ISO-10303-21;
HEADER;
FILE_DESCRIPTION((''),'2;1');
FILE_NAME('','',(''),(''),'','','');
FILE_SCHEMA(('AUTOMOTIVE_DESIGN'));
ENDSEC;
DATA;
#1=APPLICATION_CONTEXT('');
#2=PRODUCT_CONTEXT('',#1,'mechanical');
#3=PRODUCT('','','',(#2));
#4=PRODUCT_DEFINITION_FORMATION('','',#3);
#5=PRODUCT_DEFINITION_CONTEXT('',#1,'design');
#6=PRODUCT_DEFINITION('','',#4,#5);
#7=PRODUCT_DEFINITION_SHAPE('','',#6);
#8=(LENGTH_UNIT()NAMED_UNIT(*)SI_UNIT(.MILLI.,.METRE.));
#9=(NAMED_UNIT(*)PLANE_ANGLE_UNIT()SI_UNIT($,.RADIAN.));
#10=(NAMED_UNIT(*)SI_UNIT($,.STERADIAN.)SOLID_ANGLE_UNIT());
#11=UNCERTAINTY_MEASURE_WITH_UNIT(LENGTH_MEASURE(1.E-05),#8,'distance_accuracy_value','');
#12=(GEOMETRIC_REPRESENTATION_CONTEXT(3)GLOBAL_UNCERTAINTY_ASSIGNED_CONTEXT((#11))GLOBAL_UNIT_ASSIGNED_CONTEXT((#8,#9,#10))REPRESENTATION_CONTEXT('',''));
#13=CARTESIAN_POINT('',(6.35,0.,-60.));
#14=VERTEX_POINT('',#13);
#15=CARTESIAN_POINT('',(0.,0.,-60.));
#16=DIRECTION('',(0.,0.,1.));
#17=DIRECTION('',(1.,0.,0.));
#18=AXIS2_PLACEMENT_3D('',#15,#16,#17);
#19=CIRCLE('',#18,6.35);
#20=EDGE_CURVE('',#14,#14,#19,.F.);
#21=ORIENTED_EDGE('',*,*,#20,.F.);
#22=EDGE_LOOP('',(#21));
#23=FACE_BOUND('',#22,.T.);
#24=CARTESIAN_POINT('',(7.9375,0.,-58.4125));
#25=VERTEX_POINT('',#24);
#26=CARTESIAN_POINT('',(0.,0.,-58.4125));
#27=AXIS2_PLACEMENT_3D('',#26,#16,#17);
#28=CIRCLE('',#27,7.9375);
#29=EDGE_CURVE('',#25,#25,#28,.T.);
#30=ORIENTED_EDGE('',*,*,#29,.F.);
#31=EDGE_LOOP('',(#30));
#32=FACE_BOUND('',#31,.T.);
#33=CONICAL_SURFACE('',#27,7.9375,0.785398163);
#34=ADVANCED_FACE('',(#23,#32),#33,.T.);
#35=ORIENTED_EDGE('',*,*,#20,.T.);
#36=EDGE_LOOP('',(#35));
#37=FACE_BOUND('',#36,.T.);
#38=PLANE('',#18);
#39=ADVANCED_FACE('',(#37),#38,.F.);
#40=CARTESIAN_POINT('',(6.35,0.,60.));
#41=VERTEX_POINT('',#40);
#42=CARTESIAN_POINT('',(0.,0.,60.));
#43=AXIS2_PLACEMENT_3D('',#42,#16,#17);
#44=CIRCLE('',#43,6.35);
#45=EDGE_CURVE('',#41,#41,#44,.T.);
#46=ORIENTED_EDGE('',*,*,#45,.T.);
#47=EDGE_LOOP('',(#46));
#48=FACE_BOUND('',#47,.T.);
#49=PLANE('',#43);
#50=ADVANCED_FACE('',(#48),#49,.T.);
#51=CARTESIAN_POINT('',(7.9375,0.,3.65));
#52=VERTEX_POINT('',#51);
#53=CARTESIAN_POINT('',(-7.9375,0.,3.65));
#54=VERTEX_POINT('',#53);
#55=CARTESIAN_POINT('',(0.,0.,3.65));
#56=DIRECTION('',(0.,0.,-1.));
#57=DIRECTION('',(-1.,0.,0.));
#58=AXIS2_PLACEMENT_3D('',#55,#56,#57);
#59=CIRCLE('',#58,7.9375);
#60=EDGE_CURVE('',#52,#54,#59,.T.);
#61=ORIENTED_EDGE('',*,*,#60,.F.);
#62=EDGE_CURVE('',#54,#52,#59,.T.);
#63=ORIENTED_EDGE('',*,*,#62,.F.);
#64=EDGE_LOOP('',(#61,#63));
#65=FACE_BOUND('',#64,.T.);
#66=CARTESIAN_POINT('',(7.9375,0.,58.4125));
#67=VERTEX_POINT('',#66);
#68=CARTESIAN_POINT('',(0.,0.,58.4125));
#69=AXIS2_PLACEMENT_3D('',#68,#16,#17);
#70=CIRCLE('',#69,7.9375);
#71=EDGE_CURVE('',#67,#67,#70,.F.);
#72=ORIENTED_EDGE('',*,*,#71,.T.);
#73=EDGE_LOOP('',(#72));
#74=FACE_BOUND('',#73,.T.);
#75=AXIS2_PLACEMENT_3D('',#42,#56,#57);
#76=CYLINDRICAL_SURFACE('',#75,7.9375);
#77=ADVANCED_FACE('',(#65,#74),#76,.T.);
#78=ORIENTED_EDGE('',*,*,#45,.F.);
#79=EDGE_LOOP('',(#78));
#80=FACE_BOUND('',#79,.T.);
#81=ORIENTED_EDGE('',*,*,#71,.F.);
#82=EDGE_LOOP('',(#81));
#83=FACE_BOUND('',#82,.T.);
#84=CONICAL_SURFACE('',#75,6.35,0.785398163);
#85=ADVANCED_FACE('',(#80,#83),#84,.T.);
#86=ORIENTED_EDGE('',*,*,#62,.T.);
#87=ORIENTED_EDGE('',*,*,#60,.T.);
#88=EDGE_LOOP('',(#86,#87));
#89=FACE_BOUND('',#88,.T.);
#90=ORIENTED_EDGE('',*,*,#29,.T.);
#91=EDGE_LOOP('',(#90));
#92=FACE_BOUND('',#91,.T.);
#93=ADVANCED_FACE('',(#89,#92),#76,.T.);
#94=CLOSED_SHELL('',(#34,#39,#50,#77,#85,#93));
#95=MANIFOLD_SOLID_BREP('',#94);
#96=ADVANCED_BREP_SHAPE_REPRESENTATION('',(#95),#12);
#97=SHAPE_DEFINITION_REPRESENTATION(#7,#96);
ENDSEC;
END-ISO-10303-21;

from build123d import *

# Parameters (mm, degrees)
SKETCH3_R           = 7.9375
BOSS_EXTRUDE1_DEPTH = 60
CHAMFER1_SIZE       = 1.5875


with BuildPart() as part:
    # Sketch3 → Boss-Extrude1 (new body, symmetric)
    with BuildSketch(Plane.XY):
        Circle(SKETCH3_R)
    extrude(amount=BOSS_EXTRUDE1_DEPTH, both=True)

    # Chamfer1
    chamfer1_edges = [part.edges().sort_by_distance(p)[0] for p in [
        (-7.9375, 0, -60),
        (-7.9375, 0, 60),
    ]]
    chamfer(chamfer1_edges, length=CHAMFER1_SIZE)


solid = part.part
